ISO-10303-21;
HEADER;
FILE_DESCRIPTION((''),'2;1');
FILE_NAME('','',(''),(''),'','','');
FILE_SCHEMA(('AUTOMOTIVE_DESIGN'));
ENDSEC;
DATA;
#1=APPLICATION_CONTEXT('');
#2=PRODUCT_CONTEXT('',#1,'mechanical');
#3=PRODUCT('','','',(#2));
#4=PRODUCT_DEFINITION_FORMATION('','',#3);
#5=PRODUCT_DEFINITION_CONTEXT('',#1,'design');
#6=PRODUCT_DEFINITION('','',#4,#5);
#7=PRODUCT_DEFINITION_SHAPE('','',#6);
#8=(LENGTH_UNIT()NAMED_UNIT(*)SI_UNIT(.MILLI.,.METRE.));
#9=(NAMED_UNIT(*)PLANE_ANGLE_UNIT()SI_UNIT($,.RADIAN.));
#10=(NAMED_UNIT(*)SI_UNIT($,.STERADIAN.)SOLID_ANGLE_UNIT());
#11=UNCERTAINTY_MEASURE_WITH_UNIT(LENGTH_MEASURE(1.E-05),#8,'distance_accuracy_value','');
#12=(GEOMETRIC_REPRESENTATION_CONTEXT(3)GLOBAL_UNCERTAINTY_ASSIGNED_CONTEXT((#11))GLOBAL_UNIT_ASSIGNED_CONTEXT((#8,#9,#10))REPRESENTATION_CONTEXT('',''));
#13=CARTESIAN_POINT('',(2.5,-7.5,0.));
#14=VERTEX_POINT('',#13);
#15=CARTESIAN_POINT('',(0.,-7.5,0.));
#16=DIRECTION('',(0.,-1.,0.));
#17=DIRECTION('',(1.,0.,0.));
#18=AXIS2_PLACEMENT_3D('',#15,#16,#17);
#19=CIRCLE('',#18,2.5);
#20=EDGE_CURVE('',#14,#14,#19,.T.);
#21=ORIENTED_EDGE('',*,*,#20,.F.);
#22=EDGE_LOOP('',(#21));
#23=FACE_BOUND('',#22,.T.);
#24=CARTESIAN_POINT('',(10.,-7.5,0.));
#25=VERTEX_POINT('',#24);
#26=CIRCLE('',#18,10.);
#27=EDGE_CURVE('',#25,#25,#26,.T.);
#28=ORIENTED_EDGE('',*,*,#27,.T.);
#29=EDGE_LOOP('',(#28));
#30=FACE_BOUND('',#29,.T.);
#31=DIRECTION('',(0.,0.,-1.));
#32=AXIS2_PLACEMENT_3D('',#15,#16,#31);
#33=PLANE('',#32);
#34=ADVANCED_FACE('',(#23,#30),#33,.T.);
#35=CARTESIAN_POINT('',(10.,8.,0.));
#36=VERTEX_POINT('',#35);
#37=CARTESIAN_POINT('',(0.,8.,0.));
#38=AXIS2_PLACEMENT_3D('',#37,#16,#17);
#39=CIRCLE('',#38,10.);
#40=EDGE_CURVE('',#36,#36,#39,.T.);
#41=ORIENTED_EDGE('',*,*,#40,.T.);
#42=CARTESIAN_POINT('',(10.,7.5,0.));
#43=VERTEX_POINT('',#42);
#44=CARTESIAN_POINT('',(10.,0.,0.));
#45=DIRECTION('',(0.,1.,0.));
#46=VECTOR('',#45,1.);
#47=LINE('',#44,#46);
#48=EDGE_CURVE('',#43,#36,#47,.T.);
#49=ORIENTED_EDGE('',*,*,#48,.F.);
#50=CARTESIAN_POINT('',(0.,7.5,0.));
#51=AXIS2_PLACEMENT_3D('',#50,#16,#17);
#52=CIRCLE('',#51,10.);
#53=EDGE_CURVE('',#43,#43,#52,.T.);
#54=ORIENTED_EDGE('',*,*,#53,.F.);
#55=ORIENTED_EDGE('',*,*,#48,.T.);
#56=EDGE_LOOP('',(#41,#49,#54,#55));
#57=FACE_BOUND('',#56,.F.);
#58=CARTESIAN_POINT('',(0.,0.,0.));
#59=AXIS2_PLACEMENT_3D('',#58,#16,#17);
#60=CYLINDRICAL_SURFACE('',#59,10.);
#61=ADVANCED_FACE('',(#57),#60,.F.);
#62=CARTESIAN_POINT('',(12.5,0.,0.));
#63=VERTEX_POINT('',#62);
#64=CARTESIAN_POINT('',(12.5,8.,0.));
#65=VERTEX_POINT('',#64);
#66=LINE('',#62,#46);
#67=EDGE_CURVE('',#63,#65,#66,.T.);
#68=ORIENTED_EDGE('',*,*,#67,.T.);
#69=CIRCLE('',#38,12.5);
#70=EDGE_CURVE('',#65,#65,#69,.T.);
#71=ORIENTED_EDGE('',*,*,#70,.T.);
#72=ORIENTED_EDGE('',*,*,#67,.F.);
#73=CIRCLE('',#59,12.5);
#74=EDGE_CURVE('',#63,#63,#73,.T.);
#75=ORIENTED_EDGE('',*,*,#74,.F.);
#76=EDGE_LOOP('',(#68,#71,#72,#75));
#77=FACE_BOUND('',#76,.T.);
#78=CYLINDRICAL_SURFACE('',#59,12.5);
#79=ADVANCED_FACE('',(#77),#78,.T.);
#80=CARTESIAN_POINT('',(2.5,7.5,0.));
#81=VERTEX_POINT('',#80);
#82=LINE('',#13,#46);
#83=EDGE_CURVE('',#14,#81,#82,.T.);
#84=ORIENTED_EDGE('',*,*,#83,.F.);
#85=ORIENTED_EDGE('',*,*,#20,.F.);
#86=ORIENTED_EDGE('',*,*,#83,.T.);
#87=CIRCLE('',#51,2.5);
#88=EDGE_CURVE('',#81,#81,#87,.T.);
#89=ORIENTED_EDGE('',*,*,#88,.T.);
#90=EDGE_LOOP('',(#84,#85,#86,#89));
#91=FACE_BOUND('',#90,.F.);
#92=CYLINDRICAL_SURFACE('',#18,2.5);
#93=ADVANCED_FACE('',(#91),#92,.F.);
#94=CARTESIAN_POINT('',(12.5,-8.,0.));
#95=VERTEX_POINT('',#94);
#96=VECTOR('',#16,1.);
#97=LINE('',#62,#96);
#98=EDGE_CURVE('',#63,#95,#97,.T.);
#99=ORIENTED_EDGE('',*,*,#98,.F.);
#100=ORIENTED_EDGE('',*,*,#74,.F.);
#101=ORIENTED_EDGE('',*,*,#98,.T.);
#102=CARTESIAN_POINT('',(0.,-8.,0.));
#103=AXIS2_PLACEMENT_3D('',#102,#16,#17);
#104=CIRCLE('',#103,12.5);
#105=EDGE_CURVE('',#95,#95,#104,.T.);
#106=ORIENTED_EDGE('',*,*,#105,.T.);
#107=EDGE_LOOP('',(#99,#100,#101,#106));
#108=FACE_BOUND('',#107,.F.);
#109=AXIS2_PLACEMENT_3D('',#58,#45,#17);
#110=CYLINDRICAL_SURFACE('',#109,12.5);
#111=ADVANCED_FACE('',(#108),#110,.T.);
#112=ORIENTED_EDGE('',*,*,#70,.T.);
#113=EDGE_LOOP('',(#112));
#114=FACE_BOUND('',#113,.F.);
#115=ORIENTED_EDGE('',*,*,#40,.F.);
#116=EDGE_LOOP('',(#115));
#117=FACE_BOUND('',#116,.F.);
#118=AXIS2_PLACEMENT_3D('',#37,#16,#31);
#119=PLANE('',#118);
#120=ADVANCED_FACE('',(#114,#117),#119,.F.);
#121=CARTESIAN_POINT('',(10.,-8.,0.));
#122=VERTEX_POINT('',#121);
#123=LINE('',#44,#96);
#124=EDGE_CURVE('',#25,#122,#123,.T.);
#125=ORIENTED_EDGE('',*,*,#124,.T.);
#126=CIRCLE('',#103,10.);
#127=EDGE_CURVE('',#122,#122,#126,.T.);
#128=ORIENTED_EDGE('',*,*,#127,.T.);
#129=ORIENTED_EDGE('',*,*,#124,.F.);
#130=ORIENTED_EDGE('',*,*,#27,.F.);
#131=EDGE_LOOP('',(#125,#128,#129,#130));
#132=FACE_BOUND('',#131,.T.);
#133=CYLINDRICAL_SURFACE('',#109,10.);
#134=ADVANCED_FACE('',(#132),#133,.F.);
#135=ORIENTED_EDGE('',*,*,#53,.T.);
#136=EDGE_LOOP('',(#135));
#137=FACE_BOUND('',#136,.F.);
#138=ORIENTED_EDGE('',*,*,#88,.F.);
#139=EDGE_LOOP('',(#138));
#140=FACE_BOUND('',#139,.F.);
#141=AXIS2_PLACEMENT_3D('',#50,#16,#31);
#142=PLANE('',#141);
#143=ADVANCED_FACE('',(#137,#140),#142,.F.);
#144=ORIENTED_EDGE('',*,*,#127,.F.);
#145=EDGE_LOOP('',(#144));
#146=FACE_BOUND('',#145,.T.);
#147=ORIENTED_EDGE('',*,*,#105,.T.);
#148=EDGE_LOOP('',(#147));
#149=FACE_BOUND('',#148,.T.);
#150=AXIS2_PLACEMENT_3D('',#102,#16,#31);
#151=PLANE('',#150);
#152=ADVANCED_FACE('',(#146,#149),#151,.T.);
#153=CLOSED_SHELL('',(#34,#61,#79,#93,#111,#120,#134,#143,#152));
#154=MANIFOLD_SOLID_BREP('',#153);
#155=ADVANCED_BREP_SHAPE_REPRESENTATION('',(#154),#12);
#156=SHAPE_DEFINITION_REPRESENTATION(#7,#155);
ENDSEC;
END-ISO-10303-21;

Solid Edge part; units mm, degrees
sketch "Sketch1" plane through (0, 0, 0) normal (0, -1, 0) x (1, 0, 0)
  circle A0 centre (0, 0) radius 10
extrude "Protrusion1" add sketch "Sketch1" along normal mid plane 15
sketch "Sketch2" plane through (0, 0, 0) normal (0, -1, 0) x (1, 0, 0)
  circle A0 centre (0, 0) radius 12.5
  circle A1 centre (0, 0) radius 10
extrude "ExtrudedProtrusion_3" add sketch "Sketch2" along normal mid plane 16
sketch "Sketch3" plane through (0, -7.5, 0) normal (0, -1, 0) x (1, 0, 0)
  circle A0 centre (0, 0) radius 2.5
extrude "ExtrudedCutout_1" cut sketch "Sketch3" against normal blind 20.7581
